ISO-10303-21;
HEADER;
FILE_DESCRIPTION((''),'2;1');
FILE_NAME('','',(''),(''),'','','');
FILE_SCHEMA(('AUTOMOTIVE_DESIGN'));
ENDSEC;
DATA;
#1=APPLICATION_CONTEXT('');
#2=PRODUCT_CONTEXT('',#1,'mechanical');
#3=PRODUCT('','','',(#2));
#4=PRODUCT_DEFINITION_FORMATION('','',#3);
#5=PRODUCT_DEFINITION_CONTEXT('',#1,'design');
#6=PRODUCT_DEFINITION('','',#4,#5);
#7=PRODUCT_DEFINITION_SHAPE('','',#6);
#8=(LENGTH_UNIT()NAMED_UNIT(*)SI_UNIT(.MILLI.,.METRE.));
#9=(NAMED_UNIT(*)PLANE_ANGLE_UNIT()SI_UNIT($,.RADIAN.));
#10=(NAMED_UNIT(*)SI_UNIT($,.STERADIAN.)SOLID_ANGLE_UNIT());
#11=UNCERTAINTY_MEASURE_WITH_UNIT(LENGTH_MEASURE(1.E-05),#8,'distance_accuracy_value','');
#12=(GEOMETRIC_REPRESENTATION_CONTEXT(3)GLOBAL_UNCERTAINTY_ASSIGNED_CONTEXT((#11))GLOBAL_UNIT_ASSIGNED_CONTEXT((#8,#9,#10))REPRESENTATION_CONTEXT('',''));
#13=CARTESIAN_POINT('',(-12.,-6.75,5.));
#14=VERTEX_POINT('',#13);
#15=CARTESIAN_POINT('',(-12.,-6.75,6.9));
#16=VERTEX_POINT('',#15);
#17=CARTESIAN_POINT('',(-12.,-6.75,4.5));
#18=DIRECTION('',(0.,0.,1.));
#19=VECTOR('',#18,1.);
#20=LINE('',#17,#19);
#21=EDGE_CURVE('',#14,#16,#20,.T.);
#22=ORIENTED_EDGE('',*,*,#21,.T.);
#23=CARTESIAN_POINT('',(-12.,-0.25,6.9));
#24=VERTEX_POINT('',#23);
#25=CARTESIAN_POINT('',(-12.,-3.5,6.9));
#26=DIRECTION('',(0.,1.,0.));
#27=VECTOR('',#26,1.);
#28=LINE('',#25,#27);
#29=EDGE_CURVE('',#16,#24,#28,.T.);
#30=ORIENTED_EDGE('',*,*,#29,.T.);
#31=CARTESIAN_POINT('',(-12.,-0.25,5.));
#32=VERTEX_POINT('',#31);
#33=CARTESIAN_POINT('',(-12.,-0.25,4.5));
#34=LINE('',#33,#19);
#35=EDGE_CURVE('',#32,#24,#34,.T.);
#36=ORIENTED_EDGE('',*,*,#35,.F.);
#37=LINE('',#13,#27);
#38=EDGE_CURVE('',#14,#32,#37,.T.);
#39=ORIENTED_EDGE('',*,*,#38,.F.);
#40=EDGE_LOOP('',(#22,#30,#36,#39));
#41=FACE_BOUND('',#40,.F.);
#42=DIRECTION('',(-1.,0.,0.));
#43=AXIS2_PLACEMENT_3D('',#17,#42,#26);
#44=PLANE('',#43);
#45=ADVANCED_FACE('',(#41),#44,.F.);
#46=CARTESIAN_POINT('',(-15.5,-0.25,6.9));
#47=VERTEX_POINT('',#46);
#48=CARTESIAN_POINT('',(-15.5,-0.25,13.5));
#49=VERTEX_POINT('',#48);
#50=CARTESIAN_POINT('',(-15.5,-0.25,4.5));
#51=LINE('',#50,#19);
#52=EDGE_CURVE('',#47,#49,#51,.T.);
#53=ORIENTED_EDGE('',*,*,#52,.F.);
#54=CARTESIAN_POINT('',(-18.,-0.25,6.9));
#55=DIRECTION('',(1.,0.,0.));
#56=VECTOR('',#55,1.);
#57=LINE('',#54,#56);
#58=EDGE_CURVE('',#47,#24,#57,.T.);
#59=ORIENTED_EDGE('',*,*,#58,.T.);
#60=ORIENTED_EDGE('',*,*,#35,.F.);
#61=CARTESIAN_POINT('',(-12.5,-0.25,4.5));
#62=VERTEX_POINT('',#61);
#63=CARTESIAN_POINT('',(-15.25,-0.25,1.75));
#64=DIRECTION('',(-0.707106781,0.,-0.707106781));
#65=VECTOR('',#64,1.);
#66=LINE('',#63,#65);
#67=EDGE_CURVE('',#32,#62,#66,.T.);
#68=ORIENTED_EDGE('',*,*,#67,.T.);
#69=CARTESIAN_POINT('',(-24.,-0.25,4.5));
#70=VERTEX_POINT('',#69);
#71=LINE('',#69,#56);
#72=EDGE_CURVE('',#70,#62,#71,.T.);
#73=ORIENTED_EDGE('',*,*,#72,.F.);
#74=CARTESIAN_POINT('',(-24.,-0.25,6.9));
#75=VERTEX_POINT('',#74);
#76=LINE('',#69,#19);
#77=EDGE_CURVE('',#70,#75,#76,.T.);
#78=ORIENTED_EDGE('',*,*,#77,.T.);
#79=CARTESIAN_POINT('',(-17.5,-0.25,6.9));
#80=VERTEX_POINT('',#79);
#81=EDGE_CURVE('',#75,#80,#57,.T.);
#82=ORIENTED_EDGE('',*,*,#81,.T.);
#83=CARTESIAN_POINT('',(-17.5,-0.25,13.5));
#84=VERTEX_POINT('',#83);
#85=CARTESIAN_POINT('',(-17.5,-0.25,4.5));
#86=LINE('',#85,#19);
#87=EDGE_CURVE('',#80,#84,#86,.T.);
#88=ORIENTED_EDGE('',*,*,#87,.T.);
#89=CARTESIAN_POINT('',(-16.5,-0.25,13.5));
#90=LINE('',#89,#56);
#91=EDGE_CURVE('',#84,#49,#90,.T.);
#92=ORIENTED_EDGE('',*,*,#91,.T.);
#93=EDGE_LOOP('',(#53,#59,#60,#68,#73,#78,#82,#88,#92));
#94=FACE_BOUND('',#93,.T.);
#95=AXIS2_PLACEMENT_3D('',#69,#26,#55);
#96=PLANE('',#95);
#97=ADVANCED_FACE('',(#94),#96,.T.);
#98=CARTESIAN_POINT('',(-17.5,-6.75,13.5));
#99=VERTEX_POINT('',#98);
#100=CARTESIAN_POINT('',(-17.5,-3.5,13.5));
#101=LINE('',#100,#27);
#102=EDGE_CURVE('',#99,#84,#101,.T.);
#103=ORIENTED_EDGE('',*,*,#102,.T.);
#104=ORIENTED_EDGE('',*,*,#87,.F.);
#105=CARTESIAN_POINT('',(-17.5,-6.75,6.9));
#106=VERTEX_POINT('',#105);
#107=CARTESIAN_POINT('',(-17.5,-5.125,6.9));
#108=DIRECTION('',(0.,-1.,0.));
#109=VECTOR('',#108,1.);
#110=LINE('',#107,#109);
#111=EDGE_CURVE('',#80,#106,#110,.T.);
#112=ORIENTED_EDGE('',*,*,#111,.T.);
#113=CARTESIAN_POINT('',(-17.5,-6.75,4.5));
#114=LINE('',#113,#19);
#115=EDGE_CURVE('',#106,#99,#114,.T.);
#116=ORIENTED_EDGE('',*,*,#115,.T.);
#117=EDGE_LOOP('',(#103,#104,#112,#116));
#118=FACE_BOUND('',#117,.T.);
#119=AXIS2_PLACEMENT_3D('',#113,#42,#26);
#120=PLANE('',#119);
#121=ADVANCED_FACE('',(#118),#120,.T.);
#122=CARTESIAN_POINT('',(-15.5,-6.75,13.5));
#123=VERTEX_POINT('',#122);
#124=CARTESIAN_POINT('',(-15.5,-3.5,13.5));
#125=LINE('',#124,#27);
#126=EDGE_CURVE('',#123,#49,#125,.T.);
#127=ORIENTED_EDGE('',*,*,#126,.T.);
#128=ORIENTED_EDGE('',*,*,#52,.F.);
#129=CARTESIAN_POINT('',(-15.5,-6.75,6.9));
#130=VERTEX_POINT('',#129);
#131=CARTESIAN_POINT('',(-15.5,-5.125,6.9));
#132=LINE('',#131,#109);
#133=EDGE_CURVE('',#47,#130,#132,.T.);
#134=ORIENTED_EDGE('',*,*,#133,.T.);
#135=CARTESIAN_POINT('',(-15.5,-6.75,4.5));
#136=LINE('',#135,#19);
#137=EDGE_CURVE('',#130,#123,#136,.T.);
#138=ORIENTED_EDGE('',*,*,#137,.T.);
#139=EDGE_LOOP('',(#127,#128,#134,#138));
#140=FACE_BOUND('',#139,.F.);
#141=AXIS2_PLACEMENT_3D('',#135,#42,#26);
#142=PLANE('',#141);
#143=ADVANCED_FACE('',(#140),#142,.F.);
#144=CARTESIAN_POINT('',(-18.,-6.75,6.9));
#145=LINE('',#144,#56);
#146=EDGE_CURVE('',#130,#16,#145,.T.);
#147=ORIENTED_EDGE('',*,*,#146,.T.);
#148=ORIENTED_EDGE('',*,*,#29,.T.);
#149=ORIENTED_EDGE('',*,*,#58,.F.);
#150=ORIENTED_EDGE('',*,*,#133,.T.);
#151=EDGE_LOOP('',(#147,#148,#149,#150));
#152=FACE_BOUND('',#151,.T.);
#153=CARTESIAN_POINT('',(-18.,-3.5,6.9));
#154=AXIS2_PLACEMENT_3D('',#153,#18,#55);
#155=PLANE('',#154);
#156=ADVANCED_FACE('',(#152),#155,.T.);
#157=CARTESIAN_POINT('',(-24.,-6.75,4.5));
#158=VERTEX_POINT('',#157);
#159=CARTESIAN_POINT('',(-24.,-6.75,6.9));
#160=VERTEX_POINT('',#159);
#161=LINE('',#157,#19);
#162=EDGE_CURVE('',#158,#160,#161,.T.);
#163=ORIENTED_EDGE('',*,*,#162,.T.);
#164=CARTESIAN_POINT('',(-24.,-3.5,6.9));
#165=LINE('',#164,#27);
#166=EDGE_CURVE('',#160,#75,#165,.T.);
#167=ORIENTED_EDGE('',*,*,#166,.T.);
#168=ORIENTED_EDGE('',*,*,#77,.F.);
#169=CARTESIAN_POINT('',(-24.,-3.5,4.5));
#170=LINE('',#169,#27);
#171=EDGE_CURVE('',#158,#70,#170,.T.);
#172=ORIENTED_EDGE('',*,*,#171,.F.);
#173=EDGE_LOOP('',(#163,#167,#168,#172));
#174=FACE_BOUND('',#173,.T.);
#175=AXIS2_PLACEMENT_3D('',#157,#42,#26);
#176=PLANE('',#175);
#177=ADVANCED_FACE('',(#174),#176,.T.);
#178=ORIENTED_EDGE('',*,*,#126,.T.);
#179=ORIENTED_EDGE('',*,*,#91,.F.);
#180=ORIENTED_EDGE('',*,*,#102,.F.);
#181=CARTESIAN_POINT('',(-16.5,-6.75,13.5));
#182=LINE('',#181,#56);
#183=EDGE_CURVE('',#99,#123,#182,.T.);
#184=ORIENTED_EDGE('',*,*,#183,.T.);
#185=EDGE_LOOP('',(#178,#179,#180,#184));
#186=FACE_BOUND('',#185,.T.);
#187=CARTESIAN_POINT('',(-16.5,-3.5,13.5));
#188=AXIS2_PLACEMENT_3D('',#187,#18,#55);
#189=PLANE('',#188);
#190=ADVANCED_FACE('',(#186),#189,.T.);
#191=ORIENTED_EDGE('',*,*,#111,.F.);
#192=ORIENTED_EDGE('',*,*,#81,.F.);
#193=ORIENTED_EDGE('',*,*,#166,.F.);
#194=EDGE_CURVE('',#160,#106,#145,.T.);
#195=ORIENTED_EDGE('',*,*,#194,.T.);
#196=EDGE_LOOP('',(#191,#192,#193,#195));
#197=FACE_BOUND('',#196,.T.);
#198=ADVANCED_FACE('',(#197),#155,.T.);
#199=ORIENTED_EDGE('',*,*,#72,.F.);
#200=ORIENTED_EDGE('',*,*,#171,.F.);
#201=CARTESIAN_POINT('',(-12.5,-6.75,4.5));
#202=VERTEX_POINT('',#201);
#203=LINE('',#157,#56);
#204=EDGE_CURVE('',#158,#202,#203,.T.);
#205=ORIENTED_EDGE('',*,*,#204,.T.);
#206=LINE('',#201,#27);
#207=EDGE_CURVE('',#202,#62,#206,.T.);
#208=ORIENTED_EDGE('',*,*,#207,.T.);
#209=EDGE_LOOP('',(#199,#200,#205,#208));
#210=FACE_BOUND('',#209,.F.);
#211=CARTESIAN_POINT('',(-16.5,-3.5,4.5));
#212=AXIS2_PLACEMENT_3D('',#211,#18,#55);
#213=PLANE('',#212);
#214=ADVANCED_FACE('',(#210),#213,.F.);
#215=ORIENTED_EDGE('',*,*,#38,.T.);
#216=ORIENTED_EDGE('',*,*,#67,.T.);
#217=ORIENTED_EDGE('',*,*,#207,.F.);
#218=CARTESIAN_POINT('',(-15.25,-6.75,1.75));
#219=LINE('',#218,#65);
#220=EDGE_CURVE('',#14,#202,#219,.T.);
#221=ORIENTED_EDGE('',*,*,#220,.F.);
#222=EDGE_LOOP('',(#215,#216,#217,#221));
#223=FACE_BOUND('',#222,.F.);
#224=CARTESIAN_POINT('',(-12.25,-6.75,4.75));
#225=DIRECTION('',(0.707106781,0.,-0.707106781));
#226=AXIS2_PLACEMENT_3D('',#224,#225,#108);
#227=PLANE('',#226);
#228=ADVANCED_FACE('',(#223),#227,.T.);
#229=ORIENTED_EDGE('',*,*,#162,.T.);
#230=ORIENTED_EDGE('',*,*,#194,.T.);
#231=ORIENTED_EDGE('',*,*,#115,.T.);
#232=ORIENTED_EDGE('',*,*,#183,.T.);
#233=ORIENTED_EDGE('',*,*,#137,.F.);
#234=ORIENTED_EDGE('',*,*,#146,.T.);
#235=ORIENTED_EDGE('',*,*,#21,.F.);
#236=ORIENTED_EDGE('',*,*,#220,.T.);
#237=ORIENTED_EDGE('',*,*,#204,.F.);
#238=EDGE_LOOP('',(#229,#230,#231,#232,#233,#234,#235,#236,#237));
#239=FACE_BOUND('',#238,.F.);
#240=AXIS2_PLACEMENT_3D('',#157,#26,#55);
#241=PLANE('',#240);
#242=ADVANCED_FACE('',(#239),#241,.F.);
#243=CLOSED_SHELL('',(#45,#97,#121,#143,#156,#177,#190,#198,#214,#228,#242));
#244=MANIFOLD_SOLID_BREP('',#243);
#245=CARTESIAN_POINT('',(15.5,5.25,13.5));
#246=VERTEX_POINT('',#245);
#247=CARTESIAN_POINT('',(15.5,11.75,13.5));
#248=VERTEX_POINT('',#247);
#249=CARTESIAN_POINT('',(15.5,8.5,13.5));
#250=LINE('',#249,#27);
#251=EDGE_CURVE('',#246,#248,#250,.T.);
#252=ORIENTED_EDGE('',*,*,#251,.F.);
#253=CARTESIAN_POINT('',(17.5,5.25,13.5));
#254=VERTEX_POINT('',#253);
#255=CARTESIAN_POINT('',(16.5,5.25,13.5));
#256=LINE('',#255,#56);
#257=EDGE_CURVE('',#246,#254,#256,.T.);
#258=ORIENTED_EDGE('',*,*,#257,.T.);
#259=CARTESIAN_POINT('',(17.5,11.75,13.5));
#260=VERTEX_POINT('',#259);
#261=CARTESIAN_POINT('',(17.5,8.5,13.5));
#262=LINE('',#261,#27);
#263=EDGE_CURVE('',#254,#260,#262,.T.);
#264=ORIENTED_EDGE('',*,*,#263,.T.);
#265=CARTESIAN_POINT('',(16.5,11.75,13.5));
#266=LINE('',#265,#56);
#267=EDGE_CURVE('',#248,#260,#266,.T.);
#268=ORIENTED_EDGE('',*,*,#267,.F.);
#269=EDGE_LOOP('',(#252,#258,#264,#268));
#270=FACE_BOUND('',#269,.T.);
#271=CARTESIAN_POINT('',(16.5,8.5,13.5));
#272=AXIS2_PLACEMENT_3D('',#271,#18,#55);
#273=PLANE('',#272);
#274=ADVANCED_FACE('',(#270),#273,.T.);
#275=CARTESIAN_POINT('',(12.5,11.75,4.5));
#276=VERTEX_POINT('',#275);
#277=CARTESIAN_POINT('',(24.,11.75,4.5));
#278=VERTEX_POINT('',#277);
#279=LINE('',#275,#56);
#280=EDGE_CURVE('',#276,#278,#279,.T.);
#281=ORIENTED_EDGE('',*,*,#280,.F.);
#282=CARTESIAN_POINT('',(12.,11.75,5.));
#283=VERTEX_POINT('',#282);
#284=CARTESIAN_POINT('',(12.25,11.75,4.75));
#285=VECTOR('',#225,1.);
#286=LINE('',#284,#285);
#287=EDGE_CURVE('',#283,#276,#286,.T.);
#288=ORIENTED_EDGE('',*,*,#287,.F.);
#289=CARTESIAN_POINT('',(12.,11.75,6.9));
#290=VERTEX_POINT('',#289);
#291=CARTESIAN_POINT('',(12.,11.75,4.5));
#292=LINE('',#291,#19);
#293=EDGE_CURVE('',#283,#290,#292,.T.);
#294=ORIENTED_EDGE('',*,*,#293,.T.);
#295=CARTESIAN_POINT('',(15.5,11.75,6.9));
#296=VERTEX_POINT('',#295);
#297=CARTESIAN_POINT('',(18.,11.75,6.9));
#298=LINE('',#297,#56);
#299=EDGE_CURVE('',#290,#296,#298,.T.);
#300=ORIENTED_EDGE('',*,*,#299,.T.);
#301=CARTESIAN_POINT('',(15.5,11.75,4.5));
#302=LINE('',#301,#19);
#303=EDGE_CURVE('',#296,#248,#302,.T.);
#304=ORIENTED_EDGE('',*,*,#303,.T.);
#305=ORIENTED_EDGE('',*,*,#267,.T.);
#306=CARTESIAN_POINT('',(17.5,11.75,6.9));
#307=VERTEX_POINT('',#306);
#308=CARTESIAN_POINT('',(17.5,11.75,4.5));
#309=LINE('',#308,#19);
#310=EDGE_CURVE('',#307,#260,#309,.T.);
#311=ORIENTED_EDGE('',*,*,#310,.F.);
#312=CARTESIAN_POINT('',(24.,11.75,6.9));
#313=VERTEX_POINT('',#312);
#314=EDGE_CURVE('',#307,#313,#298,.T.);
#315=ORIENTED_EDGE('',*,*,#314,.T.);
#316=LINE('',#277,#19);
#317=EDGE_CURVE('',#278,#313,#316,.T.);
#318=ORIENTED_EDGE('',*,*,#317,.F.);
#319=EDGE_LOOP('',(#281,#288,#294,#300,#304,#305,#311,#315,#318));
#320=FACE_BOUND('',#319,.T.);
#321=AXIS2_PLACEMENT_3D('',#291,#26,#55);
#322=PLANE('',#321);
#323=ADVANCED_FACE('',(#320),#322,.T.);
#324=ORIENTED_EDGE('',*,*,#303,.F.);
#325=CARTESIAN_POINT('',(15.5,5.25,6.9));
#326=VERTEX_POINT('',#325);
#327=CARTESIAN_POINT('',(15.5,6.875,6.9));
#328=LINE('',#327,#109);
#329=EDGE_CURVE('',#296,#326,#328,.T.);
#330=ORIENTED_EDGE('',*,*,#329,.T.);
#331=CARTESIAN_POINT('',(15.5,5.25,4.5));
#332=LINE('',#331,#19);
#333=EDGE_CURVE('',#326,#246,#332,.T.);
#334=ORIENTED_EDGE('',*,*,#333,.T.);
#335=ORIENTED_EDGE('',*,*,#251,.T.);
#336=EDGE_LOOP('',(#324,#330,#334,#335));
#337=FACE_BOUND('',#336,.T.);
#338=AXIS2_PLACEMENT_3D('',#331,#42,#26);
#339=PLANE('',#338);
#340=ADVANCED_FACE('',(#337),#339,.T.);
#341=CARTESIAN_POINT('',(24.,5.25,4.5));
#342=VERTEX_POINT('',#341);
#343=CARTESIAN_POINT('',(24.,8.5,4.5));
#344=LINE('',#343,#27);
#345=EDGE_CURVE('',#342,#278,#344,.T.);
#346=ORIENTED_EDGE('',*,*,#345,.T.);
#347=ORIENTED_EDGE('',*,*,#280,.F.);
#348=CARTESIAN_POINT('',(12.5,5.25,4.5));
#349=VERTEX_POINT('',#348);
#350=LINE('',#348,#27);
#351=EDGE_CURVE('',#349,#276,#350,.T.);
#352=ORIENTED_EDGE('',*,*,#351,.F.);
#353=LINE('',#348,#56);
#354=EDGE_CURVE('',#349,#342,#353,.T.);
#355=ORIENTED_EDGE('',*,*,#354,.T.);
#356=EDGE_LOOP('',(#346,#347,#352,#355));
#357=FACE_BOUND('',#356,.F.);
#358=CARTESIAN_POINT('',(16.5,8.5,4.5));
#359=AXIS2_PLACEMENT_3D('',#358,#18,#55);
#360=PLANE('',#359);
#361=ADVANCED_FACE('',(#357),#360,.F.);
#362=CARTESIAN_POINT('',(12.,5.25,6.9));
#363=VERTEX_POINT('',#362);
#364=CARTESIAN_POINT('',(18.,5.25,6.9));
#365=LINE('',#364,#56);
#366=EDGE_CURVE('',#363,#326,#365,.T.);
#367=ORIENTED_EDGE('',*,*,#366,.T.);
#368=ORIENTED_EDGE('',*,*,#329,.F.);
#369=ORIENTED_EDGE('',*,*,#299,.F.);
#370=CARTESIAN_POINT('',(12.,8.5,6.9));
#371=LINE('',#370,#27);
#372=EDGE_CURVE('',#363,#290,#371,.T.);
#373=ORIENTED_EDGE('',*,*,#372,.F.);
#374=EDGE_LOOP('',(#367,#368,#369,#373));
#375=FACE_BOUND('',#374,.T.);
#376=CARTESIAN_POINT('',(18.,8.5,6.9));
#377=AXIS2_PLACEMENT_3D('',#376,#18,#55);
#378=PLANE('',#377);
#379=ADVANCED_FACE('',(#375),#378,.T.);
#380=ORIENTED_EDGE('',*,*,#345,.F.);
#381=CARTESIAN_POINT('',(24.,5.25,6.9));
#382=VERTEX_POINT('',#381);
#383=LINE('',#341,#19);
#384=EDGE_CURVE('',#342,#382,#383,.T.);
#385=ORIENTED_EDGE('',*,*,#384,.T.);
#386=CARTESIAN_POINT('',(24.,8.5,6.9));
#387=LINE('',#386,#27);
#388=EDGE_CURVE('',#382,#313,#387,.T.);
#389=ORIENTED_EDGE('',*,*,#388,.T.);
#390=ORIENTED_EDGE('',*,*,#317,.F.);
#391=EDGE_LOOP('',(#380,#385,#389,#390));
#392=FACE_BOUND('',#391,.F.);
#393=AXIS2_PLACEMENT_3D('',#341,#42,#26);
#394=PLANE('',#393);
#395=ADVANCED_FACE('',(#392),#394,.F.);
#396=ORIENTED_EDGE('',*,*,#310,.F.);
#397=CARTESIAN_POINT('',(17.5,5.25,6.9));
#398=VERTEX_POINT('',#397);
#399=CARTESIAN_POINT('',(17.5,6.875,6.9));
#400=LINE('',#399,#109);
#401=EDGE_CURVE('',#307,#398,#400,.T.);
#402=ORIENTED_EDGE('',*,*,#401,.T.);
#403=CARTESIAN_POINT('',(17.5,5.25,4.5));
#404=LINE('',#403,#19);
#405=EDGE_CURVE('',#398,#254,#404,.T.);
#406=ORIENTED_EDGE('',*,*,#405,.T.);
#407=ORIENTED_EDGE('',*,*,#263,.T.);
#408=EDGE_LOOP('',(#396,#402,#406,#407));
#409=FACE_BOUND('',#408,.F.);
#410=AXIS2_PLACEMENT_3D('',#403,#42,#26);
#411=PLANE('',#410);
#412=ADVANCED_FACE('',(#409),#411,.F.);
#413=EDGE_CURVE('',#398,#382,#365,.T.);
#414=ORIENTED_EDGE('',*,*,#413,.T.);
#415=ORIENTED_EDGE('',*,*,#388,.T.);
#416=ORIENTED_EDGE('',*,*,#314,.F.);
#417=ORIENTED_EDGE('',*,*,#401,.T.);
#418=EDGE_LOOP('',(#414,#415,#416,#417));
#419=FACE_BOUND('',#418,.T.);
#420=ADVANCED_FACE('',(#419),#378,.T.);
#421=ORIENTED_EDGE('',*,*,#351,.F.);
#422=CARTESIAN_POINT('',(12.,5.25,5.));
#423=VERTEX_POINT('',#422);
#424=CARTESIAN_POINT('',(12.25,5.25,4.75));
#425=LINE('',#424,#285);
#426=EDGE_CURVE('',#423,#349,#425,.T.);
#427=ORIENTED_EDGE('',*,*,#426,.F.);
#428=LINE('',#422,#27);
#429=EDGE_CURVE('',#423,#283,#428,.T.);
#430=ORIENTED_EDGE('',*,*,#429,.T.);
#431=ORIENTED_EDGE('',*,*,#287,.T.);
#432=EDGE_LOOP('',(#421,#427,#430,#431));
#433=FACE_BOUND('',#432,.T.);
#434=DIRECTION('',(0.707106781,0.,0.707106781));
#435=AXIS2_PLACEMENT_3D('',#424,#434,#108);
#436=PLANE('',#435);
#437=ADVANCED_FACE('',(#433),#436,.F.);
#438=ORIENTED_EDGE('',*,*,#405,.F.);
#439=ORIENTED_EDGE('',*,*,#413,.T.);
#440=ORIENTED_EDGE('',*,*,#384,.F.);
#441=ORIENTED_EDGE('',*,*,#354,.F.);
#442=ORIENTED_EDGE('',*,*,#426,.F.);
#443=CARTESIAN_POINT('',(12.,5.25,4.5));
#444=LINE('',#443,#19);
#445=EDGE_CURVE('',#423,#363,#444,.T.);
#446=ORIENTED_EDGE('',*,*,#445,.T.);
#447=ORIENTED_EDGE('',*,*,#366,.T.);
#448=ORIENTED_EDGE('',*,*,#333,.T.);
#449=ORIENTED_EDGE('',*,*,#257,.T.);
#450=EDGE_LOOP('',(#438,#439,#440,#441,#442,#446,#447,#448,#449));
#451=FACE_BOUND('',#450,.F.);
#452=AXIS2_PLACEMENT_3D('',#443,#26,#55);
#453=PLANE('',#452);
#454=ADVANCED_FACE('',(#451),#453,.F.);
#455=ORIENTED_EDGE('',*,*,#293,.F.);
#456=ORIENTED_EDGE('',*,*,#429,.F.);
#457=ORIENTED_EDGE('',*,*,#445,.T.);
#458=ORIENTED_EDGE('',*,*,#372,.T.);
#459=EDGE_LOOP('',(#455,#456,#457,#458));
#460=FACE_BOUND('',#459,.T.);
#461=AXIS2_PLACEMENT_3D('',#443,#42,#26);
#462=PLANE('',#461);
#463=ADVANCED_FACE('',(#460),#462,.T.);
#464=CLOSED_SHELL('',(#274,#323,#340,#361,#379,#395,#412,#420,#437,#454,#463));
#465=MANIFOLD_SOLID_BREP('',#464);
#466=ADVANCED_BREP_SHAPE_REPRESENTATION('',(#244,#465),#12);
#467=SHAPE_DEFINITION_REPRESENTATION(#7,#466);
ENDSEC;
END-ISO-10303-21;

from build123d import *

# Parameters (mm, degrees)
BOX038_W                                         = 2
BOX038_H                                         = 6.5
BOX038_DEPTH                                     = 9
BOX037_W                                         = 2
BOX037_H                                         = 6.5
BOX037_DEPTH                                     = 9
BOX007_W                                         = 12
BOX007_H                                         = 6.5
BOX007_DEPTH                                     = 2.4
BOX034_W                                         = 12
BOX034_H                                         = 6.5
BOX034_DEPTH                                     = 2.4
CHAMFER005021077002006007019003032007004002_SIZE = 0.5


with BuildPart() as cube034:
    # Box038 → Box038 (new body)
    with BuildSketch(Plane(origin=(-17.5, -6.75, 4.5), x_dir=(1, 0, 0), z_dir=(0, 0, 1))):
        with Locations((1, 3.25)):
            Rectangle(BOX038_W, BOX038_H)
    extrude(amount=BOX038_DEPTH)


with BuildPart() as cube033:
    # Box037 → Box037 (new body)
    with BuildSketch(Plane(origin=(15.5, 5.25, 4.5), x_dir=(1, 0, 0), z_dir=(0, 0, 1))):
        with Locations((1, 3.25)):
            Rectangle(BOX037_W, BOX037_H)
    extrude(amount=BOX037_DEPTH)


with BuildPart() as cube007:
    # Box007 → Box007 (new body)
    with BuildSketch(Plane(origin=(12, 5.25, 4.5), x_dir=(1, 0, 0), z_dir=(0, 0, 1))):
        with Locations((6, 3.25)):
            Rectangle(BOX007_W, BOX007_H)
    extrude(amount=BOX007_DEPTH)


with BuildPart() as belt_cut:
    # Box034 → Box034 (new body)
    with BuildSketch(Plane(origin=(-24, -6.75, 4.5), x_dir=(1, 0, 0), z_dir=(0, 0, 1))):
        with Locations((6, 3.25)):
            Rectangle(BOX034_W, BOX034_H)
    extrude(amount=BOX034_DEPTH)

    # Fusion001007011026006: union Cube007
    add(cube007.part)

    # Chamfer005021077002006007019003032007004002
    chamfer005021077002006007019003032007004002_edges = [belt_cut.edges().sort_by_distance(p)[0] for p in [
        (-12, -3.5, 4.5),
        (12, 8.5, 4.5),
    ]]
    chamfer(chamfer005021077002006007019003032007004002_edges, length=CHAMFER005021077002006007019003032007004002_SIZE)

    # Fusion001007011026007: union Cube034, Cube033
    add(cube034.part)
    add(cube033.part)


solid = belt_cut.part
